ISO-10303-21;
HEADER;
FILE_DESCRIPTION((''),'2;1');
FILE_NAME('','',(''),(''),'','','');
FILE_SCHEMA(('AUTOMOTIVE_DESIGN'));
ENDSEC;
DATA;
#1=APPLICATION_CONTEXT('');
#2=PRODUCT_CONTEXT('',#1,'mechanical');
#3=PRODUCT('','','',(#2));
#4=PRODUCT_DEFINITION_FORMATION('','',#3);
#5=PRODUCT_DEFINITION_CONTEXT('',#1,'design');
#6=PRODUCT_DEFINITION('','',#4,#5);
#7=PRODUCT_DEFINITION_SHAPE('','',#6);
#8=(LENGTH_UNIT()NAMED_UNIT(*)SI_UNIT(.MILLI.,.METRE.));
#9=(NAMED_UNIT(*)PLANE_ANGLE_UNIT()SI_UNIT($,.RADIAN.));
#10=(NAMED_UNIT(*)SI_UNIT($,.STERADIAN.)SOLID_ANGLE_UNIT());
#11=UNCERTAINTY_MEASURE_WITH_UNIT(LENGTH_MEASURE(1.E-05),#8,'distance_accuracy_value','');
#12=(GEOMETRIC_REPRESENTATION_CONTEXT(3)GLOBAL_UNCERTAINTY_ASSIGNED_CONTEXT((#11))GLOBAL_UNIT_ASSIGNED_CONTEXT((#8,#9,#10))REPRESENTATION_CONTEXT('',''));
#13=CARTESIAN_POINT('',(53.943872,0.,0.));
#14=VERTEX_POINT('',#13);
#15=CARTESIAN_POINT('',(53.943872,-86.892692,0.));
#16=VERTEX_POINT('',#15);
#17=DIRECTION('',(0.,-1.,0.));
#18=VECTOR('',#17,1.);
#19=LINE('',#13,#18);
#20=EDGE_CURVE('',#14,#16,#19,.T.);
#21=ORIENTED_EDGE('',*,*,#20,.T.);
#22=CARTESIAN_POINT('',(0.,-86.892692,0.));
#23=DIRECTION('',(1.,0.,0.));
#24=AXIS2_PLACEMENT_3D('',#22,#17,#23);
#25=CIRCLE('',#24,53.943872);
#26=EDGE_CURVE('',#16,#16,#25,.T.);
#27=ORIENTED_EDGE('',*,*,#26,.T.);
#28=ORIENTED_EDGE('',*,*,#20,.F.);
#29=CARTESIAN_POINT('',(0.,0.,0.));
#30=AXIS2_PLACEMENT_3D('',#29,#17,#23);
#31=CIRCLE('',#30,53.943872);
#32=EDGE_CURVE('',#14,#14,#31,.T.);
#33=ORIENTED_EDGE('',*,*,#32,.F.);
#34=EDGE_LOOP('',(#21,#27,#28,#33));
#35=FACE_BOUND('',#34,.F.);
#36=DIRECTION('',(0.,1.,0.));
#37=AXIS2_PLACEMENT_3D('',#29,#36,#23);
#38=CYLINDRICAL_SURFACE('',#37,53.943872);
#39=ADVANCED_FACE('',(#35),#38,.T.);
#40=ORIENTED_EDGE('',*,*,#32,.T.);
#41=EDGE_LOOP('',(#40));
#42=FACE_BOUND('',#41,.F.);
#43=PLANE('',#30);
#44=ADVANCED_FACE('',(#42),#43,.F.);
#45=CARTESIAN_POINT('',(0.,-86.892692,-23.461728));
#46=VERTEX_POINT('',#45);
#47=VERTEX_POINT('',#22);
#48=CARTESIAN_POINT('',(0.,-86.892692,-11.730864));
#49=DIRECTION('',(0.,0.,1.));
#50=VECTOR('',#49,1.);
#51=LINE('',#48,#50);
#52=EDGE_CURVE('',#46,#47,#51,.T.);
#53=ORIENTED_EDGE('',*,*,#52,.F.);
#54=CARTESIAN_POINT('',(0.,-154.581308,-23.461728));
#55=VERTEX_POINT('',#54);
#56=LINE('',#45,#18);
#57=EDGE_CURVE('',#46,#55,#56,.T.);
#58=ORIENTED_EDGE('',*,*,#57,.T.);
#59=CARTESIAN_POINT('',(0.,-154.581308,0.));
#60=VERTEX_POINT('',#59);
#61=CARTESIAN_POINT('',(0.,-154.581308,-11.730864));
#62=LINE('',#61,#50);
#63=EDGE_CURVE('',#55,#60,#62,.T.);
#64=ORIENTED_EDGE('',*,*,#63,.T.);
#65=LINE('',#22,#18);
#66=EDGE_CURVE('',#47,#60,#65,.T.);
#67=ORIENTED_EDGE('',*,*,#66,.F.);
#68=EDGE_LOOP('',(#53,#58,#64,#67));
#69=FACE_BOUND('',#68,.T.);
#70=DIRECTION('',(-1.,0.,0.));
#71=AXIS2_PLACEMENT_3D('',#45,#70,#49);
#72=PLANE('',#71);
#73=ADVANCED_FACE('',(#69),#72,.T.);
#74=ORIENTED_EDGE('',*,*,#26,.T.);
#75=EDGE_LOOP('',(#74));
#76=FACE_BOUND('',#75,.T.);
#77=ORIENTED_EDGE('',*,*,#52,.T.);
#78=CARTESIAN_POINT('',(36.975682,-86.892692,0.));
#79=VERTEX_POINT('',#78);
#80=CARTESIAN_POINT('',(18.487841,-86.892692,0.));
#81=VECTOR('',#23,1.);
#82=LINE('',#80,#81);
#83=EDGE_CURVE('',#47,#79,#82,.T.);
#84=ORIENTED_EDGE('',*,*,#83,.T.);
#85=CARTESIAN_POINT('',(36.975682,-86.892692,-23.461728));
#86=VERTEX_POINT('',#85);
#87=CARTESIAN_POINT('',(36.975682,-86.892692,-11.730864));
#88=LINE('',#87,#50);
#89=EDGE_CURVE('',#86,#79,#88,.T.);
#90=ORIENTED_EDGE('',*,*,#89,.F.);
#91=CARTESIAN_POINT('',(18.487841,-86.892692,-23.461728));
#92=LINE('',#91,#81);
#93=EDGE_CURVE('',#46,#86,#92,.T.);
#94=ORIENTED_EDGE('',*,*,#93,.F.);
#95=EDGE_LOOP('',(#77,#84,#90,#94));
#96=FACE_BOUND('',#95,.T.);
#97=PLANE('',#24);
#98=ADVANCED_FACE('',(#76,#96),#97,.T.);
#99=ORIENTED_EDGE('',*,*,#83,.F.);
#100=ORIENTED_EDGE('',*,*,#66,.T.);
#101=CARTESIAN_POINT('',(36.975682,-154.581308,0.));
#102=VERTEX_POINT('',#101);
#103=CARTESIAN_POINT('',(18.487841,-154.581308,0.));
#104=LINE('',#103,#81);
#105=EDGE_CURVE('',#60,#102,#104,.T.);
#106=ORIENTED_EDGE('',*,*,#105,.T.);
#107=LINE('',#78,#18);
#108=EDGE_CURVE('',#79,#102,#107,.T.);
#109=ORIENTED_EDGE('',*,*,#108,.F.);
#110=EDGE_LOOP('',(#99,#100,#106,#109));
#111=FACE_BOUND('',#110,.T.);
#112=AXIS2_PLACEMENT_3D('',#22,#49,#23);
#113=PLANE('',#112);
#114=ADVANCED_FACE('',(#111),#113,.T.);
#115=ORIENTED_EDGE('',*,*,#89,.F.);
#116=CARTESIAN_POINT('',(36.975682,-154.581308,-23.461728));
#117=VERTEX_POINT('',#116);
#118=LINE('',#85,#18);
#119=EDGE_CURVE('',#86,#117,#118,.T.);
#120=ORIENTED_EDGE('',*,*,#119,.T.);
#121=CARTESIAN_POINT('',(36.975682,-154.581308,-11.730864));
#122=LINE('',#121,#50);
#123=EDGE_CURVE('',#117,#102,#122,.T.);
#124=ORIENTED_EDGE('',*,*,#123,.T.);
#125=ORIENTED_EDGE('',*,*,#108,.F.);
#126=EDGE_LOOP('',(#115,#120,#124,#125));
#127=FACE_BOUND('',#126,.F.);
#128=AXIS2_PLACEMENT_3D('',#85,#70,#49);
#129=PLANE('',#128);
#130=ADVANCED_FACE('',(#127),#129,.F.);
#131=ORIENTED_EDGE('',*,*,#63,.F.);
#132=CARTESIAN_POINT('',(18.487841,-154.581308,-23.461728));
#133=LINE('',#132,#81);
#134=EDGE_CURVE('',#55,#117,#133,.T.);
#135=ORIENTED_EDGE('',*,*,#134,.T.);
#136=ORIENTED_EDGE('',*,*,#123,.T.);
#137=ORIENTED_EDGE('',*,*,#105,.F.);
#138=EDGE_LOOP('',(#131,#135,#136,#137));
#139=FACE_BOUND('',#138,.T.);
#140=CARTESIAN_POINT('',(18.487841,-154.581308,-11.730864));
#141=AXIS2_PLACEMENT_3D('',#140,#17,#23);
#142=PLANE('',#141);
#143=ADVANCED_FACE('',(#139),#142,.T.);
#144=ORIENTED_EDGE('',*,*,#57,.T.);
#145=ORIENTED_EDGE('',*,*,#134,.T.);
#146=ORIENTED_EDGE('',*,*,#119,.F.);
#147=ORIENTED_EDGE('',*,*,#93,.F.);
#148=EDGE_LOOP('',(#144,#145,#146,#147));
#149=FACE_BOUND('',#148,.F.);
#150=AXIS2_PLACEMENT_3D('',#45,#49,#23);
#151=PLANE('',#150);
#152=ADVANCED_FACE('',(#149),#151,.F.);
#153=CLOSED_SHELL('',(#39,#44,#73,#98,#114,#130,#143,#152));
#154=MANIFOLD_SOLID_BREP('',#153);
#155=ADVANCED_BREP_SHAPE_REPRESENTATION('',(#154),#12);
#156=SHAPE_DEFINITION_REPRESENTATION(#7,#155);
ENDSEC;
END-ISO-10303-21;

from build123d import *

# Parameters (mm, degrees)
F0_R     = 53.943872
F1_DEPTH = 86.892692
F2_W     = 36.975682
F2_H     = 23.461729
F3_DEPTH = 67.688616


with BuildPart() as f1:
    # F0 (on Front) → F1 (new body)
    with BuildSketch(Plane.XZ):
        Circle(F0_R)
    extrude(amount=F1_DEPTH)

    # F2 (on face) → F3 (join)
    with BuildSketch(Plane.XZ.offset(86.892692)):
        with Locations((18.487841, -11.730864)):
            Rectangle(F2_W, F2_H)
    extrude(amount=F3_DEPTH)


solid = f1.part
